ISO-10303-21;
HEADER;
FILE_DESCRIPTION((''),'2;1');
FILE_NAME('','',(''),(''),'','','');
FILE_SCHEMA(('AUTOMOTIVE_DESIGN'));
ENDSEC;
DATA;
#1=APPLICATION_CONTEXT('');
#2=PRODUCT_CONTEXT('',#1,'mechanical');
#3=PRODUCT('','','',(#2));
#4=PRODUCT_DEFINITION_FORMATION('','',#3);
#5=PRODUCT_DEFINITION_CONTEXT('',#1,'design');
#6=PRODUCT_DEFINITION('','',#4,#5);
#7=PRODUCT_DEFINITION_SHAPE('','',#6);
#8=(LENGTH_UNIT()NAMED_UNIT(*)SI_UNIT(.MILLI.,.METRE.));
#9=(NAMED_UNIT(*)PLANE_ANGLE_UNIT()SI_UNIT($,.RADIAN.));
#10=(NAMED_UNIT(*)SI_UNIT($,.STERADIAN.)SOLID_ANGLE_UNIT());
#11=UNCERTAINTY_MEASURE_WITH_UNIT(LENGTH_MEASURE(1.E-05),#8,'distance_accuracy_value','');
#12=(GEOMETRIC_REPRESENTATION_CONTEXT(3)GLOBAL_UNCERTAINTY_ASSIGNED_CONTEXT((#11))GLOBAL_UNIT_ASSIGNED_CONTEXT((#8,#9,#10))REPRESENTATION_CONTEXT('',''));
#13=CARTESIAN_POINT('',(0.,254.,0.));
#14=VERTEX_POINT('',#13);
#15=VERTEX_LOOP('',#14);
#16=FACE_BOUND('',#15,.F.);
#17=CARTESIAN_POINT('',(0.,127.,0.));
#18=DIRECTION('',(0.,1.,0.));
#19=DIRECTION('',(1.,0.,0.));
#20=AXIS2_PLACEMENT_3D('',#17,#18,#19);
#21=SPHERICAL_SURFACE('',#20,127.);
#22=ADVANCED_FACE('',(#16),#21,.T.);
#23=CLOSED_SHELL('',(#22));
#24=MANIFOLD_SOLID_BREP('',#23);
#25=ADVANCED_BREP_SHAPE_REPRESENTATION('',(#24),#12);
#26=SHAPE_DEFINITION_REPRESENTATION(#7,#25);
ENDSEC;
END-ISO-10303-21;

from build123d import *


with BuildPart() as part:
    # Sketch1 → Revolve1 (revolve)
    with BuildSketch(Plane.XY):
        with BuildLine():
            Line((0, 254), (0, 0))
            ThreePointArc((0, 0), (127, 127), (0, 254))
        make_face()
    revolve(axis=Axis((0, 254, 0), (0, -1, 0)))


solid = part.part
